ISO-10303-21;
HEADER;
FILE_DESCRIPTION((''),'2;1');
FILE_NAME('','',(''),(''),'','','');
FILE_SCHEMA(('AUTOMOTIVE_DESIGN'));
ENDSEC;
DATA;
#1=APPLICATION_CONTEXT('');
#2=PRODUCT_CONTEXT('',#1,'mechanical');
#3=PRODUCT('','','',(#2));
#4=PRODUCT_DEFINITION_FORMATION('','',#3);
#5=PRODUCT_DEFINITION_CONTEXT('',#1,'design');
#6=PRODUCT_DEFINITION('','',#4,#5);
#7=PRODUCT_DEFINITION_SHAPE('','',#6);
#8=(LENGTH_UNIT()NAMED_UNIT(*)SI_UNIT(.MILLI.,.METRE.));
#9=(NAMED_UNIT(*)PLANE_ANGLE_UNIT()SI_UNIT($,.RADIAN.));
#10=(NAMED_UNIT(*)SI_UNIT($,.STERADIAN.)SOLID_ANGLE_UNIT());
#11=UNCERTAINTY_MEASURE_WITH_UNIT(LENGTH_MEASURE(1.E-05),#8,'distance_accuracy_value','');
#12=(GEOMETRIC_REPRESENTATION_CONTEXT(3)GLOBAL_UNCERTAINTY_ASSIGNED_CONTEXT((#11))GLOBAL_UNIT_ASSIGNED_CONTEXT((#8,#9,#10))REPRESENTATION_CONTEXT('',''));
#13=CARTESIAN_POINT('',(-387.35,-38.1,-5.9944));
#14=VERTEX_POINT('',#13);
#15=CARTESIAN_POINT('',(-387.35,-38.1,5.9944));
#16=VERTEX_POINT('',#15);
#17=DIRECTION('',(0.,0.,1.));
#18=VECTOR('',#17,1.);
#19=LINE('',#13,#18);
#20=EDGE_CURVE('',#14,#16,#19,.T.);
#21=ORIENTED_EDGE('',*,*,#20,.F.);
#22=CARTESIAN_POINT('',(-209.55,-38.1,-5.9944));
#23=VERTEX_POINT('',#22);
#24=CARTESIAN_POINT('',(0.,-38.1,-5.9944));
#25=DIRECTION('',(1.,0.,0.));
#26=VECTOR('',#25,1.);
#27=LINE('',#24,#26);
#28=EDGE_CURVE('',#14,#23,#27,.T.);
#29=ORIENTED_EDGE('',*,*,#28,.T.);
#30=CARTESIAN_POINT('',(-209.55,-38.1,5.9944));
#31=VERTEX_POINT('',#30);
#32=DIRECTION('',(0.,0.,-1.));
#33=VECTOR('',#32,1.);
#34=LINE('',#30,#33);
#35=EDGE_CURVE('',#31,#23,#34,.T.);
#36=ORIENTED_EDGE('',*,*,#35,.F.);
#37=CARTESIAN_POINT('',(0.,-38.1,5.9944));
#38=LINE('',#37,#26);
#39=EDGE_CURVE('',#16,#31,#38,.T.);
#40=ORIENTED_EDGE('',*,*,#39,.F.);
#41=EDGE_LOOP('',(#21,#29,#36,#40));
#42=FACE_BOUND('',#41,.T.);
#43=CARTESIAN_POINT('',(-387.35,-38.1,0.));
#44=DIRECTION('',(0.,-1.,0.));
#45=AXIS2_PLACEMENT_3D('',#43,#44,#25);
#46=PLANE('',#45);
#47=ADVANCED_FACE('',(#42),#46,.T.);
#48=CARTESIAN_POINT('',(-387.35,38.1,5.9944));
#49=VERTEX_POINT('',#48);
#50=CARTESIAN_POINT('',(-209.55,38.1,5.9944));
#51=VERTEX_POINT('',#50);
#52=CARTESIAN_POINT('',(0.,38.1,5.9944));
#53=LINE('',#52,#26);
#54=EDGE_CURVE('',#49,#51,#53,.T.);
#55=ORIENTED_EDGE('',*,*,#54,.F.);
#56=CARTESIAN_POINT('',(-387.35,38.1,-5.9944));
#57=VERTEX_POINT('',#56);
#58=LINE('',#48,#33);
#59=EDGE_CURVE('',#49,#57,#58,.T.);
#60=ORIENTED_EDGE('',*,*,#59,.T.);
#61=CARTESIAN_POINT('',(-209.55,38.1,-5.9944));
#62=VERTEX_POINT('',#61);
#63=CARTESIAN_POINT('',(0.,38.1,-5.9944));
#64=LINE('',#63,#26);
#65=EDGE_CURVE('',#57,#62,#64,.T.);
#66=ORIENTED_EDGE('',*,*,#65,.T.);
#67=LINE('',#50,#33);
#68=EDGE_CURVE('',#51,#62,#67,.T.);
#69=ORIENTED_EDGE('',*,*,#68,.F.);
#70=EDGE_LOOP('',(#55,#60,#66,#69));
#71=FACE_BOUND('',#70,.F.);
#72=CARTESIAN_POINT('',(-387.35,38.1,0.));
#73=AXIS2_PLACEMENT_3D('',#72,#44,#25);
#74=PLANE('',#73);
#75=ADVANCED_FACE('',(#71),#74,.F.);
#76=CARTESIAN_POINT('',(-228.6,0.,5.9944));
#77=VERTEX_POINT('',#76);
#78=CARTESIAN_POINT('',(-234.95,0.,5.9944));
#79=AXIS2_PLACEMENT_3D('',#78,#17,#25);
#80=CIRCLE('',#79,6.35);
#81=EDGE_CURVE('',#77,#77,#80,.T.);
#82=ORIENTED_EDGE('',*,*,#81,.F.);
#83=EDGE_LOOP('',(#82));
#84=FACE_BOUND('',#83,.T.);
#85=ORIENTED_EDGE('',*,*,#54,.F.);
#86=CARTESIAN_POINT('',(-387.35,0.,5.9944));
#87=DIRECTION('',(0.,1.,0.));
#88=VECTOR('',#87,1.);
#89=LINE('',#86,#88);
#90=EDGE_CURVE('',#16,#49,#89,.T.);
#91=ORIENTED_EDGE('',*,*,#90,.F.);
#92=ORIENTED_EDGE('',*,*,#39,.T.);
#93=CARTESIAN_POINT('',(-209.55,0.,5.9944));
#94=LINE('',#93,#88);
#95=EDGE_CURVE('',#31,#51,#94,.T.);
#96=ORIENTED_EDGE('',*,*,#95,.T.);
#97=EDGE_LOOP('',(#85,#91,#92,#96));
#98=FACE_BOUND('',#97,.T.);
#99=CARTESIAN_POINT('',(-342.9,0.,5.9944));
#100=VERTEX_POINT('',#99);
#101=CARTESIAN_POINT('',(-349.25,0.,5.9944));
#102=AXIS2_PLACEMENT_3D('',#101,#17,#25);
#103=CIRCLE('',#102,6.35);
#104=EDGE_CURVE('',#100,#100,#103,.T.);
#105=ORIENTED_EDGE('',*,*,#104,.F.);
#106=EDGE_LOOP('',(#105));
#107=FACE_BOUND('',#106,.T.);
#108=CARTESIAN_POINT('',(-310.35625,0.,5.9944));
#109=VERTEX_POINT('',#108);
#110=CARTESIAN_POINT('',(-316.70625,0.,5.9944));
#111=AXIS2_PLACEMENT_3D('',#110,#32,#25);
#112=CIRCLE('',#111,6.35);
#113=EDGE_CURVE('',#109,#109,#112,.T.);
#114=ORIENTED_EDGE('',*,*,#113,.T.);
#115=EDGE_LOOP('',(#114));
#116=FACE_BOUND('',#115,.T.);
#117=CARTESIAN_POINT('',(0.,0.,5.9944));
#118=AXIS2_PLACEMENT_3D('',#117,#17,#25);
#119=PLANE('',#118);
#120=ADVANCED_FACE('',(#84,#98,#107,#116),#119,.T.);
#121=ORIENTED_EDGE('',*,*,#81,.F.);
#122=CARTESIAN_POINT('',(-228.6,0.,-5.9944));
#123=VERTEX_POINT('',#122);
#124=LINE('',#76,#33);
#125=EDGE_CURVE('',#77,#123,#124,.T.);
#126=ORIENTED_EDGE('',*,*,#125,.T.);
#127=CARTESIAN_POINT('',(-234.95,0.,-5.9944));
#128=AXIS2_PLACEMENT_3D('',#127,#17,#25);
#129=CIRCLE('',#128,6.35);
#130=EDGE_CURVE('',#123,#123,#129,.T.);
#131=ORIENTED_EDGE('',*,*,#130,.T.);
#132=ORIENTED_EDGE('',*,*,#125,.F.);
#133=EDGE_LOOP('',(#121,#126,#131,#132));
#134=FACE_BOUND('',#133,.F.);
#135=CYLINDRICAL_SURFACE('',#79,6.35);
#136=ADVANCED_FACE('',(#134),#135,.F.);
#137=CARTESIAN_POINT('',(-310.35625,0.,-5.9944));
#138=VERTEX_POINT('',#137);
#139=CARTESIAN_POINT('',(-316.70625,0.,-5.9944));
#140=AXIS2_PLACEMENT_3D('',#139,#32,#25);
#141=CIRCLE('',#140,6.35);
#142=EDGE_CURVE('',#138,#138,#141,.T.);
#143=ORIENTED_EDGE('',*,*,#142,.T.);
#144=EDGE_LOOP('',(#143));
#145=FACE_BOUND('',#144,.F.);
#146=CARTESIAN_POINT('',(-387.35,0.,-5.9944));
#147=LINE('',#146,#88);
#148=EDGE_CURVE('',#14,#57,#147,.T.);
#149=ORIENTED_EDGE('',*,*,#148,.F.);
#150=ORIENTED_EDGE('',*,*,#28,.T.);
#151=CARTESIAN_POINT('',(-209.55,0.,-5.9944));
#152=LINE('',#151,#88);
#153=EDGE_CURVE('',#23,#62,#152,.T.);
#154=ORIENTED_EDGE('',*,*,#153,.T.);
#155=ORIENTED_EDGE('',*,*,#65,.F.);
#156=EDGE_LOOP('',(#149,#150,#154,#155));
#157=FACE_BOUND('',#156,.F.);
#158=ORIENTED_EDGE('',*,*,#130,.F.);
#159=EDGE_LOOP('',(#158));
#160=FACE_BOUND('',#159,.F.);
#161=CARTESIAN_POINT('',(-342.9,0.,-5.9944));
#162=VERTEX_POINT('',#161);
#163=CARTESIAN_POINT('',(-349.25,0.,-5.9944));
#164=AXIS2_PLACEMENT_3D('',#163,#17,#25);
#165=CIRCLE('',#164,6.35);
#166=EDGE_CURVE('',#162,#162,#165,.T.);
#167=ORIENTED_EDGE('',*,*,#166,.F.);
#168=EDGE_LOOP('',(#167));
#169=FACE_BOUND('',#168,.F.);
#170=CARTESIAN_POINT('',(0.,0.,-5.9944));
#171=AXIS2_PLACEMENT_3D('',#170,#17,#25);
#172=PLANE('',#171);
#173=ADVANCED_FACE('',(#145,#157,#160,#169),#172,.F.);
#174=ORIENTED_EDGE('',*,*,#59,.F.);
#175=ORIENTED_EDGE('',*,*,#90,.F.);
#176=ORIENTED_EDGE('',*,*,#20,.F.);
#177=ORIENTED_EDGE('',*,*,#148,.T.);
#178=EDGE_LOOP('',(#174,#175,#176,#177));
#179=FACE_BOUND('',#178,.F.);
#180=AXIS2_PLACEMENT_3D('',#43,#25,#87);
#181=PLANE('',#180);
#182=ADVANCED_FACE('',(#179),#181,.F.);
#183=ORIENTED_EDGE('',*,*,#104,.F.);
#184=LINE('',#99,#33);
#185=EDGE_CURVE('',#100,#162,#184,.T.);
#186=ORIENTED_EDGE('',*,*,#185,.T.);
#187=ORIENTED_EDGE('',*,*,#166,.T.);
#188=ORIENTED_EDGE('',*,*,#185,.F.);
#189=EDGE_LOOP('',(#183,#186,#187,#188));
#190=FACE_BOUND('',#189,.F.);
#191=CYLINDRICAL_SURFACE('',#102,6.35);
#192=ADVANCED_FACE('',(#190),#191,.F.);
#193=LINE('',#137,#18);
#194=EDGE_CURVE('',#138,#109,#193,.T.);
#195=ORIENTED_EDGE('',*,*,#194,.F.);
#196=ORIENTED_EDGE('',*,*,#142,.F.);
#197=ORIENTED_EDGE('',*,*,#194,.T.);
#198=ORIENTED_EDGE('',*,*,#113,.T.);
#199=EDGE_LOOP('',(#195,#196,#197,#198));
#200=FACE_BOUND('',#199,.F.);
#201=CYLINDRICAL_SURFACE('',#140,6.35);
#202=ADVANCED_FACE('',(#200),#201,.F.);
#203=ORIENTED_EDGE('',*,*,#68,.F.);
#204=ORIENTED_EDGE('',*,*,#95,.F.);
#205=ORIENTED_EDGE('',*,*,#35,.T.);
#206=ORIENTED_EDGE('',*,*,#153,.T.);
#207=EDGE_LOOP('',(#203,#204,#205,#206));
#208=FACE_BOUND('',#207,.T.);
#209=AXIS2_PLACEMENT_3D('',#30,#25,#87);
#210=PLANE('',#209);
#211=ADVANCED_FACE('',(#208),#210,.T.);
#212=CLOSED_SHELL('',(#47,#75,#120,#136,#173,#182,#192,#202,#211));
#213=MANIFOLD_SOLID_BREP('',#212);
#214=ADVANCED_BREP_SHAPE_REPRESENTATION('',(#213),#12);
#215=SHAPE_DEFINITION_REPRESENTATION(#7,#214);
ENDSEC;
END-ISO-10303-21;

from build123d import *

# Parameters (mm, degrees)
F0_W     = 774.7
F0_H     = 76.2
F1_DEPTH = 5.9944
F2_R     = 6.35
F3_DEPTH = 11.9888
F4_R     = 6.35
F5_DEPTH = 11.9888
F6_W     = 596.9
F6_H     = 76.2
F7_DEPTH = 11.9888


with BuildPart() as f1:
    # F0 (on Top) → F1 (new body, symmetric)
    with BuildSketch(Plane.XY):
        Rectangle(F0_W, F0_H)
    extrude(amount=F1_DEPTH, both=True)

    # F2 (on face) → F3 (cut, through all)
    with BuildSketch(Plane(origin=(0, 0, -5.9944), x_dir=(1, 0, 0), z_dir=(0, 0, -1))):
        with Locations((-316.70625, 0)):
            Circle(F2_R)
        with Locations((323.85, 0)):
            Circle(F2_R)
    extrude(amount=-F3_DEPTH, mode=Mode.SUBTRACT)

    # F4 (on face) → F5 (cut, through all)
    with BuildSketch(Plane.XY.offset(5.9944)):
        with Locations((-349.25, 0)):
            Circle(F4_R)
        with Locations((-234.95, 0)):
            Circle(F4_R)
    extrude(amount=-F5_DEPTH, mode=Mode.SUBTRACT)

    # F6 (on face) → F7 (cut, through all)
    with BuildSketch(Plane.XY.offset(5.9944)):
        with Locations((88.9, 0)):
            Rectangle(F6_W, F6_H)
    extrude(amount=-F7_DEPTH, mode=Mode.SUBTRACT)


solid = f1.part
